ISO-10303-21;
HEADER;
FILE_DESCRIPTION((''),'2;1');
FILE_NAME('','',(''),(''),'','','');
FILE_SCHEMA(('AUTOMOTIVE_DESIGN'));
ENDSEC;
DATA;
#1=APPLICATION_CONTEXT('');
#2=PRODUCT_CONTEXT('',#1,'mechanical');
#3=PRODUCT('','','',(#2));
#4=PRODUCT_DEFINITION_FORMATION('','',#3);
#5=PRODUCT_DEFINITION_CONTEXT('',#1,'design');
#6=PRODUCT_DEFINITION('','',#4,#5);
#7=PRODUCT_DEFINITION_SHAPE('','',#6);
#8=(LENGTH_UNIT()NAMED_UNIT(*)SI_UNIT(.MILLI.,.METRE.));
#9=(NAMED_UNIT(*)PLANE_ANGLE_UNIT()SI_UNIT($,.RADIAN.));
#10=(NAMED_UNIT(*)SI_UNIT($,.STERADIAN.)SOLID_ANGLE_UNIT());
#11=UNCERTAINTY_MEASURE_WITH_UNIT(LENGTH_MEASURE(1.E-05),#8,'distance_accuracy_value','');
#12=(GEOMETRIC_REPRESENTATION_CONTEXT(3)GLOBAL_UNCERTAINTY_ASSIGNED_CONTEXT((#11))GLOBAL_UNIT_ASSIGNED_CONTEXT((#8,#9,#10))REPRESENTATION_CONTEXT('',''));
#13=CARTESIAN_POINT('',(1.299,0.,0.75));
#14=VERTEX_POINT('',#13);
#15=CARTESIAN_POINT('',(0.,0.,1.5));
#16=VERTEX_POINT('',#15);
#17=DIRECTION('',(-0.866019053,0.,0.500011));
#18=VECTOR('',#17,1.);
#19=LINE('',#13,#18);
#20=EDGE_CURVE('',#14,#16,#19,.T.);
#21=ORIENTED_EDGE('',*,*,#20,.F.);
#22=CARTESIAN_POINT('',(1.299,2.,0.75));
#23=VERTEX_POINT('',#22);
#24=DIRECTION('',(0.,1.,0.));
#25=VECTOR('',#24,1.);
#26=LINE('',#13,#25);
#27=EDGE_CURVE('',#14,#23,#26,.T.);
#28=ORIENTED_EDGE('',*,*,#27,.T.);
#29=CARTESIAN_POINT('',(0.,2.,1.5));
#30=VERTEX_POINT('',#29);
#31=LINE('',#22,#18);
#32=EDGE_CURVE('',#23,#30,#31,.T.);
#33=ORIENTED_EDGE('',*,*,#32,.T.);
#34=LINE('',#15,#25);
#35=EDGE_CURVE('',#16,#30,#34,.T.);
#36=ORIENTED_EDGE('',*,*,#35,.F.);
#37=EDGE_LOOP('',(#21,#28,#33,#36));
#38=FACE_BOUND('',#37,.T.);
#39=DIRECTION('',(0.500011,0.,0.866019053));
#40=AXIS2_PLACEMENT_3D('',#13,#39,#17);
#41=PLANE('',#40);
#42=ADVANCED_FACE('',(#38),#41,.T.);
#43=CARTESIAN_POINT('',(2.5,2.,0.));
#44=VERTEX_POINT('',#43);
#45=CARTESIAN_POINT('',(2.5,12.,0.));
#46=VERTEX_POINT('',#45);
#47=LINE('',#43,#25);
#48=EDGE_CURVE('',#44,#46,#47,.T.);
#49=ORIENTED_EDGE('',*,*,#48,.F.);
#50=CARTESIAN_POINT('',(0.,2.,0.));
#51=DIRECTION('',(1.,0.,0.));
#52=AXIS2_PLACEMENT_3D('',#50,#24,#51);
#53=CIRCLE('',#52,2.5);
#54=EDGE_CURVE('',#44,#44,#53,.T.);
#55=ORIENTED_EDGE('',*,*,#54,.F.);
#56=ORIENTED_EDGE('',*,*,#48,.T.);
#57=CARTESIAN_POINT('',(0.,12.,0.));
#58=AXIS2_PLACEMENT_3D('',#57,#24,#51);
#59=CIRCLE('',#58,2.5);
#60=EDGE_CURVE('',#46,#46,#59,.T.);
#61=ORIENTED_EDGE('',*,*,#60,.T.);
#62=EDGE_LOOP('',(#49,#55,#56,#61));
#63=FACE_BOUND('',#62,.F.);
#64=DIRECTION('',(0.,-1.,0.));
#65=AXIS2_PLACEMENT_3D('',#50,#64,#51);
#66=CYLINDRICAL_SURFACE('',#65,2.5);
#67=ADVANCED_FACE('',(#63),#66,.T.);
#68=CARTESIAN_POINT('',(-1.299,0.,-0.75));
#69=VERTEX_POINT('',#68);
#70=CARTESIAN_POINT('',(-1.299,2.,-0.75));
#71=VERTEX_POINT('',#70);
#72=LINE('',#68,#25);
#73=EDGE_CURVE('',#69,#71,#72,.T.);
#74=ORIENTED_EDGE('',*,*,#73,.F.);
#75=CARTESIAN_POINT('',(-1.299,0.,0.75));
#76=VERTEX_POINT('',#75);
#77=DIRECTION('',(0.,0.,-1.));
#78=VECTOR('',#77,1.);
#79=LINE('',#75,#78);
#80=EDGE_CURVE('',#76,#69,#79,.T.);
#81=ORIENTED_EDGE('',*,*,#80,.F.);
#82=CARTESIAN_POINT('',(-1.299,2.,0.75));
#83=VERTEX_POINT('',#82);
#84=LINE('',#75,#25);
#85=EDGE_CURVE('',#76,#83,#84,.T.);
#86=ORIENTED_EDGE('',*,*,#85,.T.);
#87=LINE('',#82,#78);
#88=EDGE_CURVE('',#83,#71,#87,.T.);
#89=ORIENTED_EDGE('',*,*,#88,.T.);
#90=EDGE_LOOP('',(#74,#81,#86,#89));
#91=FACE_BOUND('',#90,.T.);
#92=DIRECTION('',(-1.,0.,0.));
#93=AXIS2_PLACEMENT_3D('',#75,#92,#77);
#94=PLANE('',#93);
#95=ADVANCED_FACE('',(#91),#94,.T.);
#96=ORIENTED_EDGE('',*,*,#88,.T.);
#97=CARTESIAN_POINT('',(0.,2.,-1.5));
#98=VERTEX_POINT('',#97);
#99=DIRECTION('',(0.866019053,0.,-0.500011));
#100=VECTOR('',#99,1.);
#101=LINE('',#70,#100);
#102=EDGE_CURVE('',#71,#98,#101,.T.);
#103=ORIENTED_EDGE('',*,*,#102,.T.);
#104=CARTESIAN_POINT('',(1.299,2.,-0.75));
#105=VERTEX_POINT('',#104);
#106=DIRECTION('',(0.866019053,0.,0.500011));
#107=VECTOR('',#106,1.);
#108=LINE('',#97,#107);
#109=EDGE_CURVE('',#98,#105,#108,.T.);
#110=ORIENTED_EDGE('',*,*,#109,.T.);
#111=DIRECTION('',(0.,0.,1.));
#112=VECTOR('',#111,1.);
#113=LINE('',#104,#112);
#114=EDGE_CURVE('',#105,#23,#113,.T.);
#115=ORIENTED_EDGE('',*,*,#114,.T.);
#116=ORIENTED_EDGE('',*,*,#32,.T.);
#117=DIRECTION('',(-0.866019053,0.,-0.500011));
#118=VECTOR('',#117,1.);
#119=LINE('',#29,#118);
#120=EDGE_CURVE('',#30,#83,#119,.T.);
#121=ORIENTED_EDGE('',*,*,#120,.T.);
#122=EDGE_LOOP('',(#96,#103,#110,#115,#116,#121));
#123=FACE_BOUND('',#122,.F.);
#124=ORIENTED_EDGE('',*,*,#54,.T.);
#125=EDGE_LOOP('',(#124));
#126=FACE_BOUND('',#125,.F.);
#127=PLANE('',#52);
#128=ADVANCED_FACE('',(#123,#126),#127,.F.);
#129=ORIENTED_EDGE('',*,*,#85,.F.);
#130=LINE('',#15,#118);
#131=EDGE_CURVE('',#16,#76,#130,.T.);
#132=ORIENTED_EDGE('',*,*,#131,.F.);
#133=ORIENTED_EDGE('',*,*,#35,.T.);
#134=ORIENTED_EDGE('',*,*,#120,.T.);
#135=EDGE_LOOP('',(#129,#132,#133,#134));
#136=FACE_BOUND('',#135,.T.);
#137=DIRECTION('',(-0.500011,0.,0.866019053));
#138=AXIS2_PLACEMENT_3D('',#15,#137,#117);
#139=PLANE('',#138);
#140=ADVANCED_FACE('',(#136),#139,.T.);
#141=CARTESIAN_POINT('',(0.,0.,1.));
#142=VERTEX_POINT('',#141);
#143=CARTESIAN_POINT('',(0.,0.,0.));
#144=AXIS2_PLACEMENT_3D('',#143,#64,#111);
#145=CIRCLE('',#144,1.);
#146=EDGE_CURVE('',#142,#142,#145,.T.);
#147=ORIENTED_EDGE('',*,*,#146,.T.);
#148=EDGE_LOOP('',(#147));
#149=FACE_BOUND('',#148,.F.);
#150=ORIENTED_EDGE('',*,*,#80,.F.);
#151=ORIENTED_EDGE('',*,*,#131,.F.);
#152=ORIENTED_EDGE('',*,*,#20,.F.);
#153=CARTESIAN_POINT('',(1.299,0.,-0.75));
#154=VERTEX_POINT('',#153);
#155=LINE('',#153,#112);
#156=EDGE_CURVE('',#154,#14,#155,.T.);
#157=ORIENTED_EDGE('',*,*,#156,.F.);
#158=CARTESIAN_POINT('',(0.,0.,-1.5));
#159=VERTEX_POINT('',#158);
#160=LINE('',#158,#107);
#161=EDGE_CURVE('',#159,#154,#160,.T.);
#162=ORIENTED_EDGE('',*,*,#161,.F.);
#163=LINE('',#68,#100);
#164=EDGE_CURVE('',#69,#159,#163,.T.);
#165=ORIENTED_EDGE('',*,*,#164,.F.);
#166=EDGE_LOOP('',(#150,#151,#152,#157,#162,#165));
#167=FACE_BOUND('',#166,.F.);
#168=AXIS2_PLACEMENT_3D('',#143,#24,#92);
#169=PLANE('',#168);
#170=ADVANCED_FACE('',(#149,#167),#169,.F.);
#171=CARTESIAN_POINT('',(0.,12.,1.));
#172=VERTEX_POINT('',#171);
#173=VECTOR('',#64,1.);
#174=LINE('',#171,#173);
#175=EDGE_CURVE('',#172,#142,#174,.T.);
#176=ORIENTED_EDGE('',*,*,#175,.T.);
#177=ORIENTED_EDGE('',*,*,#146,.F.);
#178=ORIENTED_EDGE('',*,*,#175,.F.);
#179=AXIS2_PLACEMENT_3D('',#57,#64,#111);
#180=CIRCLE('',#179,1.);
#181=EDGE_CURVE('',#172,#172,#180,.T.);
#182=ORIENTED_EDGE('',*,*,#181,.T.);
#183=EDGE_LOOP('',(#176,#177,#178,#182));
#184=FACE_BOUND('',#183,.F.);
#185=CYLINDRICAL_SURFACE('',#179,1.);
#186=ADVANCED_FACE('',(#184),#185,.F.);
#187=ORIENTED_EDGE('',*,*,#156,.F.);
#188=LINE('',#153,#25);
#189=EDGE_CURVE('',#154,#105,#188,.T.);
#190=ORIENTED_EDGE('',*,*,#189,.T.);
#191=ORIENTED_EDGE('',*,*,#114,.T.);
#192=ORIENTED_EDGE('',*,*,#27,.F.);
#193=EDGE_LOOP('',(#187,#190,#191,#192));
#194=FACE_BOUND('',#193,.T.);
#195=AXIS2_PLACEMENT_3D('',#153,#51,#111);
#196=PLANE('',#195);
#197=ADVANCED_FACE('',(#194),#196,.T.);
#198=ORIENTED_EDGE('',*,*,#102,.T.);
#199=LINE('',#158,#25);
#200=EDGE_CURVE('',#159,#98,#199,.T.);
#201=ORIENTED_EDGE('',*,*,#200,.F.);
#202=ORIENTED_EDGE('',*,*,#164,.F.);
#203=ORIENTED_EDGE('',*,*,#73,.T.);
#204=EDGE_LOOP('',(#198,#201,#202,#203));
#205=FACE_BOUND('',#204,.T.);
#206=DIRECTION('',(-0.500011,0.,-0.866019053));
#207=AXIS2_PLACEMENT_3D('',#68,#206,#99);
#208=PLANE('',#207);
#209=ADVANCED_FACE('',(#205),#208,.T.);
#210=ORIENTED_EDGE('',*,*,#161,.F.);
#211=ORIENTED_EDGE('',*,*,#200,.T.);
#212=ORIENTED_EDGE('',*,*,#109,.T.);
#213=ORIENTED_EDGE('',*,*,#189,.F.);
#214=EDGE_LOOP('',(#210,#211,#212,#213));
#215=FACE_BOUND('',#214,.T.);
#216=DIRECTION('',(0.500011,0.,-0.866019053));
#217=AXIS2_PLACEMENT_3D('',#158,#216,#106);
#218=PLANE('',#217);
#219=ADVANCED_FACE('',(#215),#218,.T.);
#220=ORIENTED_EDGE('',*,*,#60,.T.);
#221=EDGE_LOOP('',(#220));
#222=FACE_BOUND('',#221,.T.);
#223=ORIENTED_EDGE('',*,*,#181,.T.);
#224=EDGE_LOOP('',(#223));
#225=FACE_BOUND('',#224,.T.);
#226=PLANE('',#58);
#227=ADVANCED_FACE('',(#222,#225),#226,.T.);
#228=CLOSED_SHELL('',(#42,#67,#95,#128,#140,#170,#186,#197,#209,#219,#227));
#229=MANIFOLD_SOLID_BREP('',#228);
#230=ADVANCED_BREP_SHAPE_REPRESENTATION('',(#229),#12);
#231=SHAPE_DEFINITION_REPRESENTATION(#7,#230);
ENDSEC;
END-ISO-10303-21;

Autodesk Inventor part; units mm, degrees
ref_plane "YZ Plane" through (0, 0, 0) normal (1, 0, 0) x (0, 1, 0)
ref_plane "XZ Plane" through (0, 0, 0) normal (0, 1, 0) x (-1, 0, 0)
ref_plane "XY Plane" through (0, 0, 0) normal (0, 0, 1) x (1, 0, 0)
sketch "Sketch1" plane through (0, 0, 0) normal (0, 1, 0) x (-1, 0, 0)
  circle A0 centre (0, 0) radius 1.5 construction
  line L0 (0, -1.5) -> (-1.299, -0.75)
  line L1 (-1.299, -0.75) -> (-1.299, 0.75)
  line L2 (-1.299, 0.75) -> (0, 1.5)
  line L3 (0, 1.5) -> (1.299, 0.75)
  line L4 (1.299, 0.75) -> (1.299, -0.75)
  line L5 (1.299, -0.75) -> (0, -1.5)
  dimension "d0" = 3
extrude "Extrusion1" add sketch "Sketch1" along normal blind 2
sketch "Sketch2" plane through (0, 2, 0) normal (0, 1, 0) x (1, 0, 0)
  circle A0 centre (0, 0) radius 2.5
  dimension "d3" = 5
extrude "Extrusion2" add sketch "Sketch2" along normal blind 10
sketch "Sketch3" plane through (0, 12, 0) normal (0, 1, 0) x (1, 0, 0)
  circle A0 centre (0, 0) radius 2.5 projected
hole "Hole1" at (0, 12, 0) direction (0, -1, 0) diameter 2 end through all
properties part number "separator" material "PET Plastic"
